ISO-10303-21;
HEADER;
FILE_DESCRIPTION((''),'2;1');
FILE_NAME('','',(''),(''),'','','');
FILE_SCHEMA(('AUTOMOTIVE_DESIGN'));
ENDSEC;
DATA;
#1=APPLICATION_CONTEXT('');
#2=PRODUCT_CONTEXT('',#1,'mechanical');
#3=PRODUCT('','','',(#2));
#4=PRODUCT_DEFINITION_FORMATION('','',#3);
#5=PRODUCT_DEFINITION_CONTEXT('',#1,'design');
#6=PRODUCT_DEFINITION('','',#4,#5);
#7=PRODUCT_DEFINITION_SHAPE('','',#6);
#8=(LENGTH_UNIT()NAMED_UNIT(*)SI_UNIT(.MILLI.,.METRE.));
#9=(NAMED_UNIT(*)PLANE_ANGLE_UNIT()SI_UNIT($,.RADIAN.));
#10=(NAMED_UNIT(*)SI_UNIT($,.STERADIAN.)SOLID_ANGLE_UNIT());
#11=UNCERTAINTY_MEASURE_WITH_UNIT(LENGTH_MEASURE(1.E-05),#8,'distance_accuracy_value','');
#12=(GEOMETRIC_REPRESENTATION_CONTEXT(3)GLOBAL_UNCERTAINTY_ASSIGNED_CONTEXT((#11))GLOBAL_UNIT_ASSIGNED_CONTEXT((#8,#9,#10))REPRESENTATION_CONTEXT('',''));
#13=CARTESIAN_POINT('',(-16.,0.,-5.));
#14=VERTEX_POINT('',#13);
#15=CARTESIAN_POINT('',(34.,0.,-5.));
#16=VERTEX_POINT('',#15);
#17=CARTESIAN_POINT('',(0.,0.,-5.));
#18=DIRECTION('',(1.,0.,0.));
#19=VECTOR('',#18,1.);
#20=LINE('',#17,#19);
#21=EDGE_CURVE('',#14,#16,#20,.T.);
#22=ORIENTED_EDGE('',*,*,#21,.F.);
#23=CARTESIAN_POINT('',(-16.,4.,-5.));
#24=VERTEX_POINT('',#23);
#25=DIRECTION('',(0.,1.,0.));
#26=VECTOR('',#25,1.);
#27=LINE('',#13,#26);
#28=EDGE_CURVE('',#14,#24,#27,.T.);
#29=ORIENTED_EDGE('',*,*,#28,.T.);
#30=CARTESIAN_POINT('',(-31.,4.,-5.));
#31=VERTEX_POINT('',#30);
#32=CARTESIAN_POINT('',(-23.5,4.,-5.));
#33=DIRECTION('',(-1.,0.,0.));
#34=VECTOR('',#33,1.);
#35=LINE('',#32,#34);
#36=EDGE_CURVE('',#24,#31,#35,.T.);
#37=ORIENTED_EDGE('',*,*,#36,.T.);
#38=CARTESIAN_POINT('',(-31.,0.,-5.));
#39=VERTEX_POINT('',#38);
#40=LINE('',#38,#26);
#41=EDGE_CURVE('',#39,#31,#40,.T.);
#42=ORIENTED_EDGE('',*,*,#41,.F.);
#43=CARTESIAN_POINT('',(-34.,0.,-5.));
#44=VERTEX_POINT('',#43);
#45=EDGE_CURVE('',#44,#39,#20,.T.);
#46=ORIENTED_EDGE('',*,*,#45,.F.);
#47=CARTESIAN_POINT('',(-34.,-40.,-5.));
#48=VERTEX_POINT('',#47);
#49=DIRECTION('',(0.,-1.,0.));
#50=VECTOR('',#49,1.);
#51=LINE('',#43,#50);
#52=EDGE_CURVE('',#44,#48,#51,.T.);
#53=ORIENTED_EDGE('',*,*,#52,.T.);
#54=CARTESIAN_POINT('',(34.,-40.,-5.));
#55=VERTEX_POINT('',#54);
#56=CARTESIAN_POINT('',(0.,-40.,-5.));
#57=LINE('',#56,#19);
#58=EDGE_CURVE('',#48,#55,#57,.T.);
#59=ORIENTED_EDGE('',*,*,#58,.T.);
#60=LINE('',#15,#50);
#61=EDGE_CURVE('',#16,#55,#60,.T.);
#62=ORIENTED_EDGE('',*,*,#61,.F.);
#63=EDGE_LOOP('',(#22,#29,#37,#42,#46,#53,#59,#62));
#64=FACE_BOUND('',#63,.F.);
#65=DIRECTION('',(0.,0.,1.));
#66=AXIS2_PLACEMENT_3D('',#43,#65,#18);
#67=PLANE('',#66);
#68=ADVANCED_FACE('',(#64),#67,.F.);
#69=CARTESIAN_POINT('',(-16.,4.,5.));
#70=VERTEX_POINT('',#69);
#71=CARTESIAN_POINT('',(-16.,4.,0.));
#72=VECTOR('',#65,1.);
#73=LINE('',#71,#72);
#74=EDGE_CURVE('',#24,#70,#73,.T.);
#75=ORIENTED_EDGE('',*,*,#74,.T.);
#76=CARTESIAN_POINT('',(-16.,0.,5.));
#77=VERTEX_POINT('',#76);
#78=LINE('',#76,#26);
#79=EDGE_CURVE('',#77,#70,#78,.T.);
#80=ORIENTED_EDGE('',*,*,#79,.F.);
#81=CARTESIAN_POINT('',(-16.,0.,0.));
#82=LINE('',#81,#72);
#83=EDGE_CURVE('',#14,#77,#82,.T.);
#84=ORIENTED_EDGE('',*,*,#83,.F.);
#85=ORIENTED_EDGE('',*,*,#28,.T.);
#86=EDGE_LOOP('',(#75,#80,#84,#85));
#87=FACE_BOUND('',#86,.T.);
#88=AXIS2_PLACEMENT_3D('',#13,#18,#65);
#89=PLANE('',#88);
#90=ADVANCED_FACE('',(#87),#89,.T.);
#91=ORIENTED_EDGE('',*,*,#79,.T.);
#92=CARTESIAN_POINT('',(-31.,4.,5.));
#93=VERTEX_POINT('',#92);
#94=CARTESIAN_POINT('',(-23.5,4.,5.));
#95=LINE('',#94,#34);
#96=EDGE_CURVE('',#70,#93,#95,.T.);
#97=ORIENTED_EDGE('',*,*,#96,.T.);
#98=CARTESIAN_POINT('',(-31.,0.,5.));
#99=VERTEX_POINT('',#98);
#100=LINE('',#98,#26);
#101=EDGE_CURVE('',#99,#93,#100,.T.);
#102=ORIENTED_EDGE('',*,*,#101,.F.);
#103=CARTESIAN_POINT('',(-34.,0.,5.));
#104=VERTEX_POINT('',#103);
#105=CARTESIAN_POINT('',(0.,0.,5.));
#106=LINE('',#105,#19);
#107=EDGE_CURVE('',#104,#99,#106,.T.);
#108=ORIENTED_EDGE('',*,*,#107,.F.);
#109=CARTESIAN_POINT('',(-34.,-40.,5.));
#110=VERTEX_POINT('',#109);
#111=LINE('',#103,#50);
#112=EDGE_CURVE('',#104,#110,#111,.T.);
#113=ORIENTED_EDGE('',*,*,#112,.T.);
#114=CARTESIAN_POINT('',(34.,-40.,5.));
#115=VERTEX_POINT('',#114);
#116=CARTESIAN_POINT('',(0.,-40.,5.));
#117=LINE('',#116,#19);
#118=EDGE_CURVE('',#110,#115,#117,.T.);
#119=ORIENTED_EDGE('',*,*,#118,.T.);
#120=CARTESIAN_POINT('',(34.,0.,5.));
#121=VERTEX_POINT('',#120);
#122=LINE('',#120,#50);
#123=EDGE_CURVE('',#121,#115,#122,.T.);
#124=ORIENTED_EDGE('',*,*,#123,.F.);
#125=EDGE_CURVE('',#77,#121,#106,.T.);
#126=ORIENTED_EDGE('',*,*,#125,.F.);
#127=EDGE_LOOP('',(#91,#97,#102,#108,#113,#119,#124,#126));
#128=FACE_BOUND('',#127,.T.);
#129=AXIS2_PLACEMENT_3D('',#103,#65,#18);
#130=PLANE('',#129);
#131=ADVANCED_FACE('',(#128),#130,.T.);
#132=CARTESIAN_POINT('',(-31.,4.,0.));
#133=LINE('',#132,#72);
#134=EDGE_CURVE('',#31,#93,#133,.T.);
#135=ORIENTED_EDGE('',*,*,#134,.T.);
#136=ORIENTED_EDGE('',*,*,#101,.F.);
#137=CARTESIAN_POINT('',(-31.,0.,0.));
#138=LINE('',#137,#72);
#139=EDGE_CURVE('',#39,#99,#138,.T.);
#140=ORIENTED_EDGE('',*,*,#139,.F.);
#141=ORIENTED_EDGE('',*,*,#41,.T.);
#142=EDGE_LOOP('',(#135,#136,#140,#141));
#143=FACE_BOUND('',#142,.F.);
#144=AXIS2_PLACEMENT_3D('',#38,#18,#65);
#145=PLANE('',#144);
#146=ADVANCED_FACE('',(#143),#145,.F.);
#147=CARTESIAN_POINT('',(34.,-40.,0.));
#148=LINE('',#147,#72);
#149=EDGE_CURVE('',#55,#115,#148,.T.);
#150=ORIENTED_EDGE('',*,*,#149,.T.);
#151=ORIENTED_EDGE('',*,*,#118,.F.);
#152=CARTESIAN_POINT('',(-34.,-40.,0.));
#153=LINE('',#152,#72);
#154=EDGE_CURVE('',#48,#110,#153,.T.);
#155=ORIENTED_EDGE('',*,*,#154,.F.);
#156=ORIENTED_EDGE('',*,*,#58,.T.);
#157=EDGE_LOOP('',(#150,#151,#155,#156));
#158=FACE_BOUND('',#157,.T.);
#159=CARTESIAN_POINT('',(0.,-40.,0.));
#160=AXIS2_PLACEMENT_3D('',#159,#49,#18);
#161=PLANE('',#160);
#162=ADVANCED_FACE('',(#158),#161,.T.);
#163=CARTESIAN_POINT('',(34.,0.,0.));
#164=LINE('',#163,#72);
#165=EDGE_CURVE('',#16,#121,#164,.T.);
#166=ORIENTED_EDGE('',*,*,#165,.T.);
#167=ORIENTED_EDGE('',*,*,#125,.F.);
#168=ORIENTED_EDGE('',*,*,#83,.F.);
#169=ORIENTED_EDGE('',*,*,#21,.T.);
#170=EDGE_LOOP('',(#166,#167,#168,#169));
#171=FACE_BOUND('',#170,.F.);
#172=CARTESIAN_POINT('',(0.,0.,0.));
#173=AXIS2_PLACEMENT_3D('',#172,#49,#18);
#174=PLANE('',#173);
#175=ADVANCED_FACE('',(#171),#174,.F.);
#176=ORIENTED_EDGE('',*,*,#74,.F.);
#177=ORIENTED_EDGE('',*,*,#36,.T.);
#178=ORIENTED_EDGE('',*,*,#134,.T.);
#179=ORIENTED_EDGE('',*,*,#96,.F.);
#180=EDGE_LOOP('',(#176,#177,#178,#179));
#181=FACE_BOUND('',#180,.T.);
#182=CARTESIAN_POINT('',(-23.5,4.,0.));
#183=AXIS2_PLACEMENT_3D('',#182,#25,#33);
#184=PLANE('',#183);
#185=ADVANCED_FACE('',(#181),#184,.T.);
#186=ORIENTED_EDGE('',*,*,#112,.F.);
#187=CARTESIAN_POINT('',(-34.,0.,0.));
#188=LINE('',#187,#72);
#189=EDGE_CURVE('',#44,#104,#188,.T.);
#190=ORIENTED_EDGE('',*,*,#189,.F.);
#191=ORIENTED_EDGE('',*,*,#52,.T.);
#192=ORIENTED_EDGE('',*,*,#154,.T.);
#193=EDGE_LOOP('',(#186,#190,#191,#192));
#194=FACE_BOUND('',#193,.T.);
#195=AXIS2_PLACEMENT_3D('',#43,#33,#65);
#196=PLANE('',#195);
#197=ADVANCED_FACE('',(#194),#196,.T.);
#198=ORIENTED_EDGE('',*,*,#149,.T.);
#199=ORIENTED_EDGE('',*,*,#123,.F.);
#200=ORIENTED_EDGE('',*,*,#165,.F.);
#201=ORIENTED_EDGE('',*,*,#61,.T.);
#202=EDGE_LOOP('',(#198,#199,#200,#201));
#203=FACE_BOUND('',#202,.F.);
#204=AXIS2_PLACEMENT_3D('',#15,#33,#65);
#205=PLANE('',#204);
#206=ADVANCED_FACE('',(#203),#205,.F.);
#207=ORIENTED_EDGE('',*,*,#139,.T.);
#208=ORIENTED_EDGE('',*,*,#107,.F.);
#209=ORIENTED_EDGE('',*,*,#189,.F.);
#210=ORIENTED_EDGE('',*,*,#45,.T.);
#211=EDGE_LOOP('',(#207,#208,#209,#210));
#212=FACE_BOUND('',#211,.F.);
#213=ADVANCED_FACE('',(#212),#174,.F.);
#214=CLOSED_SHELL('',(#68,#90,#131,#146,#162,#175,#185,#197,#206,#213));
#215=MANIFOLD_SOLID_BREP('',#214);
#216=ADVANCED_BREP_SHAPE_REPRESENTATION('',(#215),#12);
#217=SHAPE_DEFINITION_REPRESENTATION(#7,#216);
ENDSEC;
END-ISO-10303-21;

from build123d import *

# Parameters (mm, degrees)
F0_W     = 68
F0_H     = 10
F1_DEPTH = 40
F2_W     = 15
F2_H     = 10
F3_DEPTH = 4


with BuildPart() as f1:
    # F0 (on Front) → F1 (new body)
    with BuildSketch(Plane.XZ):
        Rectangle(F0_W, F0_H)
    extrude(amount=F1_DEPTH)

    # F2 (on face) → F3 (join)
    with BuildSketch(Plane(origin=(0, 0, 0), x_dir=(-1, 0, 0), z_dir=(0, 1, 0))):
        with Locations((23.5, 0)):
            Rectangle(F2_W, F2_H)
    extrude(amount=F3_DEPTH)


solid = f1.part
